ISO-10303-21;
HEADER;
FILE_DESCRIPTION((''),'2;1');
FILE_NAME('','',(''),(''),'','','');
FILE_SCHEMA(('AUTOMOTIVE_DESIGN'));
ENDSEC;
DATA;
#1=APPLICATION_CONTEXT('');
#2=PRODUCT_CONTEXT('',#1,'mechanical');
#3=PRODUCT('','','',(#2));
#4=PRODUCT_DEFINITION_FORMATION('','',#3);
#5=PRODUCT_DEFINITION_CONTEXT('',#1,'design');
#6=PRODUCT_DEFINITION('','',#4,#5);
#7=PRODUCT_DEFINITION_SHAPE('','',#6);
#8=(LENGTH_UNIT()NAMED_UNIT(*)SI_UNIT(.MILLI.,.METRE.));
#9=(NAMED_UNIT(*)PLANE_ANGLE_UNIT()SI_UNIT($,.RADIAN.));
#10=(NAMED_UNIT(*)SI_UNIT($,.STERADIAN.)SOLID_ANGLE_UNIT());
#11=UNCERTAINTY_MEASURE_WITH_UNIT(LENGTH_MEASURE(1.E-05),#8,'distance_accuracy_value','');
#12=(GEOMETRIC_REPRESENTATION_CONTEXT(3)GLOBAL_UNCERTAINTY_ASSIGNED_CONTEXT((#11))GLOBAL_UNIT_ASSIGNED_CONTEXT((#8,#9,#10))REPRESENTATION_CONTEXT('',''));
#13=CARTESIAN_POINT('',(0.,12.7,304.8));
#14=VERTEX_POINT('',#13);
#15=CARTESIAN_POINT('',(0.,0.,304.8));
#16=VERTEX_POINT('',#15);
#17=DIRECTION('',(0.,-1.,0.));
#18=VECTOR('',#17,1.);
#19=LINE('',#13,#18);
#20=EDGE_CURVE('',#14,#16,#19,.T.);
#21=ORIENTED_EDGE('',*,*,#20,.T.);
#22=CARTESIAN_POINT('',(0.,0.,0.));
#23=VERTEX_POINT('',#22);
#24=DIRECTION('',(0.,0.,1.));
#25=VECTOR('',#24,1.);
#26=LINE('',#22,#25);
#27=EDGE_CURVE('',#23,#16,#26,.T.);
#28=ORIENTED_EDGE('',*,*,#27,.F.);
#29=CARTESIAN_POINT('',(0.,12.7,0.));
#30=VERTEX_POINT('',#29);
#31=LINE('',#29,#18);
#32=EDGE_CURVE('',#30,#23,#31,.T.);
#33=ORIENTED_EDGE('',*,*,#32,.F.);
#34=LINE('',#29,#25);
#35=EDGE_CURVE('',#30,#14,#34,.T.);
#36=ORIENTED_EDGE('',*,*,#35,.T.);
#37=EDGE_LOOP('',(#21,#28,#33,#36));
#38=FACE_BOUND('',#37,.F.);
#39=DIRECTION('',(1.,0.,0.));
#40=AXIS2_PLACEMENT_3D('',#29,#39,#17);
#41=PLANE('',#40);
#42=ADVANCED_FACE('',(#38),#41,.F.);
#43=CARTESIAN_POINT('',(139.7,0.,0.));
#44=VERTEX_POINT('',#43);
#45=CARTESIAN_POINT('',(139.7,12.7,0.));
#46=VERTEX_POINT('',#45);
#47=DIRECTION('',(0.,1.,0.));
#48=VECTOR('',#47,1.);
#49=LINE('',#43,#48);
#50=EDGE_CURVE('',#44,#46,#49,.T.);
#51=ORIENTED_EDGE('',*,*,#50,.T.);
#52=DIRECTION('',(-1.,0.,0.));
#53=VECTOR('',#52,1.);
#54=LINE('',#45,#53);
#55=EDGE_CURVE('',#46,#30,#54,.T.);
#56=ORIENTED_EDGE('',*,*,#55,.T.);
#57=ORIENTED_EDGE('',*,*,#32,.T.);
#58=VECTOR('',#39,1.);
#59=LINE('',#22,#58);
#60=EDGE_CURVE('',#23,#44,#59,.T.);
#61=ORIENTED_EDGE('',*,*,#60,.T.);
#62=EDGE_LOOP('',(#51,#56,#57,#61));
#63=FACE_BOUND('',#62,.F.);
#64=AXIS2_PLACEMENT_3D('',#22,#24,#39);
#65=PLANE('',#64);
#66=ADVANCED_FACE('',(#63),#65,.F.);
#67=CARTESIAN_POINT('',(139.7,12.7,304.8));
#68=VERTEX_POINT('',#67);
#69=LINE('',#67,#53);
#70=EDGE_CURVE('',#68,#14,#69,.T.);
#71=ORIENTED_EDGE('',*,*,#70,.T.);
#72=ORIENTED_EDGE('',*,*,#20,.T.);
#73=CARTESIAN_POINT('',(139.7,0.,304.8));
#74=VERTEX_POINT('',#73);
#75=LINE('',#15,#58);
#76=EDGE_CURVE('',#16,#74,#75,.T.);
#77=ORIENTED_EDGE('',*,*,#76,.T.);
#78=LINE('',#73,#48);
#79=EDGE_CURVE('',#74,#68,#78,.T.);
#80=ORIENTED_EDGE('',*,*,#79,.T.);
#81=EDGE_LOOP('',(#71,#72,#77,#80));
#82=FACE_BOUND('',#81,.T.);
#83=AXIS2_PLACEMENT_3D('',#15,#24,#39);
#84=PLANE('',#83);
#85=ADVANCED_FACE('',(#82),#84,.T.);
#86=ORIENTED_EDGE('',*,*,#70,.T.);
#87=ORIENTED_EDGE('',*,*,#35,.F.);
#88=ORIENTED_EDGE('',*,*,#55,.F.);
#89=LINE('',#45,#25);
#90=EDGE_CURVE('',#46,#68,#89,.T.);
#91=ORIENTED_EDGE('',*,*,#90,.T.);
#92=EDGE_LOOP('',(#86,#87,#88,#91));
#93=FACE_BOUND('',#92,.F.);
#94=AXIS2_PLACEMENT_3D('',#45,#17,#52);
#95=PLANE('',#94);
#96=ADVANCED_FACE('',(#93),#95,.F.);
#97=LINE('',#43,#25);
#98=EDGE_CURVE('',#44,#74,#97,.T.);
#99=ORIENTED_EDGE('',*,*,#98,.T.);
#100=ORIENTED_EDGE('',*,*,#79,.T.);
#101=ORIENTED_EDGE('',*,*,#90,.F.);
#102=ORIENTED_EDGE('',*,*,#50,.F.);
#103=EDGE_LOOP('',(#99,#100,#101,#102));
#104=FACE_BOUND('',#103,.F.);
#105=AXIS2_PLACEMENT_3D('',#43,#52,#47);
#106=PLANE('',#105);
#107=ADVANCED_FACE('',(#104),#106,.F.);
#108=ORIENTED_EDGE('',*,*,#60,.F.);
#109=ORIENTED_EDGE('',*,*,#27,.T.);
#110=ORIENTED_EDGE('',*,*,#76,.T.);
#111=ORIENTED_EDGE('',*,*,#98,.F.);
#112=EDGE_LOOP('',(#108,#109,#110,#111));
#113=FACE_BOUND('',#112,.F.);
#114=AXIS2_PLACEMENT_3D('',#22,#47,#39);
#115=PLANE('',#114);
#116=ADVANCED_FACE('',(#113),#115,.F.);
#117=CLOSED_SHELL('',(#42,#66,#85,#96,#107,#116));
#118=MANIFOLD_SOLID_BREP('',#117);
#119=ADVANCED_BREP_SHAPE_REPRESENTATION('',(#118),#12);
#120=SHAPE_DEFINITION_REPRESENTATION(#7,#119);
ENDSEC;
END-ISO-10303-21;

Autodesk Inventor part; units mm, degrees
ref_plane "YZ Plane" through (0, 0, 0) normal (1, 0, 0) x (0, 1, 0)
ref_plane "XZ Plane" through (0, 0, 0) normal (0, 1, 0) x (-1, 0, 0)
ref_plane "XY Plane" through (0, 0, 0) normal (0, 0, 1) x (1, 0, 0)
sketch "Sketch1" plane through (0, 0, 0) normal (0, 0, 1) x (1, 0, 0)
  line L0 (0, 0) -> (139.7, 0)
  line L1 (139.7, 0) -> (139.7, 12.7)
  line L2 (139.7, 12.7) -> (0, 12.7)
  line L3 (0, 12.7) -> (0, 0)
  dimension "d0" = 139.7
  dimension "d1" = 12.7
extrude "Extrusion1" add sketch "Sketch1" along normal blind 304.8
properties part number "base"
